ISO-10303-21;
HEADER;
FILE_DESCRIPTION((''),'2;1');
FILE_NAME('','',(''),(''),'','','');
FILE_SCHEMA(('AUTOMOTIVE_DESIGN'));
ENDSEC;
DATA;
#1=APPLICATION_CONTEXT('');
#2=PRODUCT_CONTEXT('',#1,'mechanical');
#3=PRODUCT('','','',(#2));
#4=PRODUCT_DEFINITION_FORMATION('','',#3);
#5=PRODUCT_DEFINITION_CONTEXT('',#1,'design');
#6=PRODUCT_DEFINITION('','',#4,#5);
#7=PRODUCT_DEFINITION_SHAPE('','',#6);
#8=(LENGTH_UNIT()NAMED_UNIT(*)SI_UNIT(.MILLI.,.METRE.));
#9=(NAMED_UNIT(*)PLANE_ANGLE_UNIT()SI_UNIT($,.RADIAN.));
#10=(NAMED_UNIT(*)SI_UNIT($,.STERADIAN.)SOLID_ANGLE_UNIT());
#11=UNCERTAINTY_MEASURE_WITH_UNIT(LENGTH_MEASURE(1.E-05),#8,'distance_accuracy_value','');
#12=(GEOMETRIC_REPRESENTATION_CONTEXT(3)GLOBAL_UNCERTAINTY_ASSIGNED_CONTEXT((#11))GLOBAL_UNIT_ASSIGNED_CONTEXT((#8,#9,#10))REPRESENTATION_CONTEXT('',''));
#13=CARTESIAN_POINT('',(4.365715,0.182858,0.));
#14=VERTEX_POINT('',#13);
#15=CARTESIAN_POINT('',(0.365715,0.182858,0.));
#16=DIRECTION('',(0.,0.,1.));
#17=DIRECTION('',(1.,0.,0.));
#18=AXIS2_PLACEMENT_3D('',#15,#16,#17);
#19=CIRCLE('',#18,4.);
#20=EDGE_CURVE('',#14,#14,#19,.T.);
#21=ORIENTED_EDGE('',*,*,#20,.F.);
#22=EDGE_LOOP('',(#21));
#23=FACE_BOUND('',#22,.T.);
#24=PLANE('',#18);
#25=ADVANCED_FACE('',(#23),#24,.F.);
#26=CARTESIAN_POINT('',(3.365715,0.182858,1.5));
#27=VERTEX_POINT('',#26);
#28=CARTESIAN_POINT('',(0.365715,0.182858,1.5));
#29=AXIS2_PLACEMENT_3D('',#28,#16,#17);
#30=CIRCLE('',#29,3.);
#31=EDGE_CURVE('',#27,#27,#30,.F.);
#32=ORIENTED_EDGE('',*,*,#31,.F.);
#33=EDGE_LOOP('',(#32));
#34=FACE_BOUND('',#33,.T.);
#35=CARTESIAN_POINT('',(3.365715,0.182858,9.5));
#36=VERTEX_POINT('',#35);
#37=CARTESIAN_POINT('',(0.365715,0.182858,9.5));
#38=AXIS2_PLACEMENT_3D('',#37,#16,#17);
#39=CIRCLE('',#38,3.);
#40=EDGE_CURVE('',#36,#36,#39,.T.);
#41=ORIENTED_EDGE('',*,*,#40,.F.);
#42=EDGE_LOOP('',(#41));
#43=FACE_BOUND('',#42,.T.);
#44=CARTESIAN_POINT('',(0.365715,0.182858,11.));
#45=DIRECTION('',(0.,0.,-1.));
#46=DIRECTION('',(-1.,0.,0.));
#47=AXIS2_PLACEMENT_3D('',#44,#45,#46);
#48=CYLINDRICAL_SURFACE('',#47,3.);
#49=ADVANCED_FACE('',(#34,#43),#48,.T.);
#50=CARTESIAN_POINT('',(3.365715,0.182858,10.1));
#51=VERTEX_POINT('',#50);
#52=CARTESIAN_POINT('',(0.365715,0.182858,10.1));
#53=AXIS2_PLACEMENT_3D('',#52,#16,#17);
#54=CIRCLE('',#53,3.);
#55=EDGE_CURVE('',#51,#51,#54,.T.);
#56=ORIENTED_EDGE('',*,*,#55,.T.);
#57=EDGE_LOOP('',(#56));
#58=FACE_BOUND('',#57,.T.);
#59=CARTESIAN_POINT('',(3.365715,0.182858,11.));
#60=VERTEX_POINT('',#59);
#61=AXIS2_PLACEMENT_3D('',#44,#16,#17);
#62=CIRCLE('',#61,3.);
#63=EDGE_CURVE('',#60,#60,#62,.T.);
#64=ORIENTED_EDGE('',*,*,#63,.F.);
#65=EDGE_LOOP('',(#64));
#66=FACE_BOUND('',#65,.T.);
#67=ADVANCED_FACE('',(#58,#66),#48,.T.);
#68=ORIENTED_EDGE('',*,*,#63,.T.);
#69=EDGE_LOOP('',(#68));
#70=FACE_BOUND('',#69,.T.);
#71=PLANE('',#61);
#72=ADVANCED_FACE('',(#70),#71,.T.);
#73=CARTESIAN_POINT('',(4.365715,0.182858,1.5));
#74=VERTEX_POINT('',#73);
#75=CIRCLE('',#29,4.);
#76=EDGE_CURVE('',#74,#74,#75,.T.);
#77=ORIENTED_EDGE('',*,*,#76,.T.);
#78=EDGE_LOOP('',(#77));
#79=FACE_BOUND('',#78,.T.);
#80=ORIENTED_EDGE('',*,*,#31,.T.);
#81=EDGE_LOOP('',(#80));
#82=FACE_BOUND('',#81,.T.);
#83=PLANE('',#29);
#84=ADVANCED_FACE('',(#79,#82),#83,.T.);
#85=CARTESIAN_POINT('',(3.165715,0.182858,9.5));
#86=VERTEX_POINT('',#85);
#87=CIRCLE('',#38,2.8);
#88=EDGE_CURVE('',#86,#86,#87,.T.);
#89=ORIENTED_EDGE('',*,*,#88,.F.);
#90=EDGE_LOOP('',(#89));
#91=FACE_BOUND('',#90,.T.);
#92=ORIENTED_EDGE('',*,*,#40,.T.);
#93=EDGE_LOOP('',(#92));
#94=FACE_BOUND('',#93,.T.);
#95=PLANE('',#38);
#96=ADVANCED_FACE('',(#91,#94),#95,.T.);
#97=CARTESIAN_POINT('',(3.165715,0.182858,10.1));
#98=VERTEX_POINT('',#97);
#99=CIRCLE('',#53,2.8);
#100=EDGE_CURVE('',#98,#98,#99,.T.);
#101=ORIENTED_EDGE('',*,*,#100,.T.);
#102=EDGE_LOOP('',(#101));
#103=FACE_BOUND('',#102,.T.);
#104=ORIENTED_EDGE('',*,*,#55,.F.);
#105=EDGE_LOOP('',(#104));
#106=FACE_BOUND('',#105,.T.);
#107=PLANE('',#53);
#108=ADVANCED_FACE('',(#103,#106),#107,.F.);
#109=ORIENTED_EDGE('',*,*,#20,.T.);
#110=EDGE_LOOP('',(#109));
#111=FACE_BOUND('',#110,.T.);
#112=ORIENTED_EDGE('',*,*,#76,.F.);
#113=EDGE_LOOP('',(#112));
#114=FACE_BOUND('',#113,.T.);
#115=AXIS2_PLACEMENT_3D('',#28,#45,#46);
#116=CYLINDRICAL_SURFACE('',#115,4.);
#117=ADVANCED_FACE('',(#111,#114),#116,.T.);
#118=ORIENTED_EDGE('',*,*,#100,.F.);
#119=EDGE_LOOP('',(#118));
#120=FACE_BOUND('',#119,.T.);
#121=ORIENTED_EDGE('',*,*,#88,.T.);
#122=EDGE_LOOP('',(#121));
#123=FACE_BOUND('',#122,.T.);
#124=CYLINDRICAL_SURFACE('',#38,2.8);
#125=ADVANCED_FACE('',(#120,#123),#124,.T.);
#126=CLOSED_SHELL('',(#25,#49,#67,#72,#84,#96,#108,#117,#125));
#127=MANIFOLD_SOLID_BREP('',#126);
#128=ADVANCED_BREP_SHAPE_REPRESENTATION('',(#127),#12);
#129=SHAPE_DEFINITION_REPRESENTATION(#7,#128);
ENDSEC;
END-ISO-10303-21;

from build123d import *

# Parameters (mm, degrees)
SKETCH_1_R           = 4
EXTRUDE_1_DEPTH      = 1.5
SKETCH_1_3_R         = 3
EXTRUDE_2_DEPTH      = 11
CUT_EXTRUDE_START    = 10.1
SKETCH_1_4_OUTSIDE_W = 13.156
SKETCH_1_4_OUTSIDE_H = 13.156
SKETCH_1_4_OUTSIDE_R = 2.8
CUT_EXTRUDE_1_DEPTH  = 0.6


with BuildPart() as part:
    # 草图1 → 凸台-拉伸1 (new body)
    with BuildSketch(Plane.XY):
        with Locations((0.365715483, 0.182857742)):
            Circle(SKETCH_1_R)
    extrude(amount=EXTRUDE_1_DEPTH)

    # 草图1<3> → 凸台-拉伸2 (add)
    with BuildSketch(Plane.XY):
        with Locations((0.365715483, 0.182857742)):
            Circle(SKETCH_1_3_R)
    extrude(amount=EXTRUDE_2_DEPTH)

    # 草图1<4> outside → 切除-拉伸1 (cut)
    with BuildSketch(Plane.XY.offset(CUT_EXTRUDE_START)):
        with Locations((0.366, 0.183)):
            Rectangle(SKETCH_1_4_OUTSIDE_W, SKETCH_1_4_OUTSIDE_H)
        with Locations((0.365715483, 0.182857742)):
            Circle(SKETCH_1_4_OUTSIDE_R, mode=Mode.SUBTRACT)
    extrude(amount=-CUT_EXTRUDE_1_DEPTH, mode=Mode.SUBTRACT)


solid = part.part
